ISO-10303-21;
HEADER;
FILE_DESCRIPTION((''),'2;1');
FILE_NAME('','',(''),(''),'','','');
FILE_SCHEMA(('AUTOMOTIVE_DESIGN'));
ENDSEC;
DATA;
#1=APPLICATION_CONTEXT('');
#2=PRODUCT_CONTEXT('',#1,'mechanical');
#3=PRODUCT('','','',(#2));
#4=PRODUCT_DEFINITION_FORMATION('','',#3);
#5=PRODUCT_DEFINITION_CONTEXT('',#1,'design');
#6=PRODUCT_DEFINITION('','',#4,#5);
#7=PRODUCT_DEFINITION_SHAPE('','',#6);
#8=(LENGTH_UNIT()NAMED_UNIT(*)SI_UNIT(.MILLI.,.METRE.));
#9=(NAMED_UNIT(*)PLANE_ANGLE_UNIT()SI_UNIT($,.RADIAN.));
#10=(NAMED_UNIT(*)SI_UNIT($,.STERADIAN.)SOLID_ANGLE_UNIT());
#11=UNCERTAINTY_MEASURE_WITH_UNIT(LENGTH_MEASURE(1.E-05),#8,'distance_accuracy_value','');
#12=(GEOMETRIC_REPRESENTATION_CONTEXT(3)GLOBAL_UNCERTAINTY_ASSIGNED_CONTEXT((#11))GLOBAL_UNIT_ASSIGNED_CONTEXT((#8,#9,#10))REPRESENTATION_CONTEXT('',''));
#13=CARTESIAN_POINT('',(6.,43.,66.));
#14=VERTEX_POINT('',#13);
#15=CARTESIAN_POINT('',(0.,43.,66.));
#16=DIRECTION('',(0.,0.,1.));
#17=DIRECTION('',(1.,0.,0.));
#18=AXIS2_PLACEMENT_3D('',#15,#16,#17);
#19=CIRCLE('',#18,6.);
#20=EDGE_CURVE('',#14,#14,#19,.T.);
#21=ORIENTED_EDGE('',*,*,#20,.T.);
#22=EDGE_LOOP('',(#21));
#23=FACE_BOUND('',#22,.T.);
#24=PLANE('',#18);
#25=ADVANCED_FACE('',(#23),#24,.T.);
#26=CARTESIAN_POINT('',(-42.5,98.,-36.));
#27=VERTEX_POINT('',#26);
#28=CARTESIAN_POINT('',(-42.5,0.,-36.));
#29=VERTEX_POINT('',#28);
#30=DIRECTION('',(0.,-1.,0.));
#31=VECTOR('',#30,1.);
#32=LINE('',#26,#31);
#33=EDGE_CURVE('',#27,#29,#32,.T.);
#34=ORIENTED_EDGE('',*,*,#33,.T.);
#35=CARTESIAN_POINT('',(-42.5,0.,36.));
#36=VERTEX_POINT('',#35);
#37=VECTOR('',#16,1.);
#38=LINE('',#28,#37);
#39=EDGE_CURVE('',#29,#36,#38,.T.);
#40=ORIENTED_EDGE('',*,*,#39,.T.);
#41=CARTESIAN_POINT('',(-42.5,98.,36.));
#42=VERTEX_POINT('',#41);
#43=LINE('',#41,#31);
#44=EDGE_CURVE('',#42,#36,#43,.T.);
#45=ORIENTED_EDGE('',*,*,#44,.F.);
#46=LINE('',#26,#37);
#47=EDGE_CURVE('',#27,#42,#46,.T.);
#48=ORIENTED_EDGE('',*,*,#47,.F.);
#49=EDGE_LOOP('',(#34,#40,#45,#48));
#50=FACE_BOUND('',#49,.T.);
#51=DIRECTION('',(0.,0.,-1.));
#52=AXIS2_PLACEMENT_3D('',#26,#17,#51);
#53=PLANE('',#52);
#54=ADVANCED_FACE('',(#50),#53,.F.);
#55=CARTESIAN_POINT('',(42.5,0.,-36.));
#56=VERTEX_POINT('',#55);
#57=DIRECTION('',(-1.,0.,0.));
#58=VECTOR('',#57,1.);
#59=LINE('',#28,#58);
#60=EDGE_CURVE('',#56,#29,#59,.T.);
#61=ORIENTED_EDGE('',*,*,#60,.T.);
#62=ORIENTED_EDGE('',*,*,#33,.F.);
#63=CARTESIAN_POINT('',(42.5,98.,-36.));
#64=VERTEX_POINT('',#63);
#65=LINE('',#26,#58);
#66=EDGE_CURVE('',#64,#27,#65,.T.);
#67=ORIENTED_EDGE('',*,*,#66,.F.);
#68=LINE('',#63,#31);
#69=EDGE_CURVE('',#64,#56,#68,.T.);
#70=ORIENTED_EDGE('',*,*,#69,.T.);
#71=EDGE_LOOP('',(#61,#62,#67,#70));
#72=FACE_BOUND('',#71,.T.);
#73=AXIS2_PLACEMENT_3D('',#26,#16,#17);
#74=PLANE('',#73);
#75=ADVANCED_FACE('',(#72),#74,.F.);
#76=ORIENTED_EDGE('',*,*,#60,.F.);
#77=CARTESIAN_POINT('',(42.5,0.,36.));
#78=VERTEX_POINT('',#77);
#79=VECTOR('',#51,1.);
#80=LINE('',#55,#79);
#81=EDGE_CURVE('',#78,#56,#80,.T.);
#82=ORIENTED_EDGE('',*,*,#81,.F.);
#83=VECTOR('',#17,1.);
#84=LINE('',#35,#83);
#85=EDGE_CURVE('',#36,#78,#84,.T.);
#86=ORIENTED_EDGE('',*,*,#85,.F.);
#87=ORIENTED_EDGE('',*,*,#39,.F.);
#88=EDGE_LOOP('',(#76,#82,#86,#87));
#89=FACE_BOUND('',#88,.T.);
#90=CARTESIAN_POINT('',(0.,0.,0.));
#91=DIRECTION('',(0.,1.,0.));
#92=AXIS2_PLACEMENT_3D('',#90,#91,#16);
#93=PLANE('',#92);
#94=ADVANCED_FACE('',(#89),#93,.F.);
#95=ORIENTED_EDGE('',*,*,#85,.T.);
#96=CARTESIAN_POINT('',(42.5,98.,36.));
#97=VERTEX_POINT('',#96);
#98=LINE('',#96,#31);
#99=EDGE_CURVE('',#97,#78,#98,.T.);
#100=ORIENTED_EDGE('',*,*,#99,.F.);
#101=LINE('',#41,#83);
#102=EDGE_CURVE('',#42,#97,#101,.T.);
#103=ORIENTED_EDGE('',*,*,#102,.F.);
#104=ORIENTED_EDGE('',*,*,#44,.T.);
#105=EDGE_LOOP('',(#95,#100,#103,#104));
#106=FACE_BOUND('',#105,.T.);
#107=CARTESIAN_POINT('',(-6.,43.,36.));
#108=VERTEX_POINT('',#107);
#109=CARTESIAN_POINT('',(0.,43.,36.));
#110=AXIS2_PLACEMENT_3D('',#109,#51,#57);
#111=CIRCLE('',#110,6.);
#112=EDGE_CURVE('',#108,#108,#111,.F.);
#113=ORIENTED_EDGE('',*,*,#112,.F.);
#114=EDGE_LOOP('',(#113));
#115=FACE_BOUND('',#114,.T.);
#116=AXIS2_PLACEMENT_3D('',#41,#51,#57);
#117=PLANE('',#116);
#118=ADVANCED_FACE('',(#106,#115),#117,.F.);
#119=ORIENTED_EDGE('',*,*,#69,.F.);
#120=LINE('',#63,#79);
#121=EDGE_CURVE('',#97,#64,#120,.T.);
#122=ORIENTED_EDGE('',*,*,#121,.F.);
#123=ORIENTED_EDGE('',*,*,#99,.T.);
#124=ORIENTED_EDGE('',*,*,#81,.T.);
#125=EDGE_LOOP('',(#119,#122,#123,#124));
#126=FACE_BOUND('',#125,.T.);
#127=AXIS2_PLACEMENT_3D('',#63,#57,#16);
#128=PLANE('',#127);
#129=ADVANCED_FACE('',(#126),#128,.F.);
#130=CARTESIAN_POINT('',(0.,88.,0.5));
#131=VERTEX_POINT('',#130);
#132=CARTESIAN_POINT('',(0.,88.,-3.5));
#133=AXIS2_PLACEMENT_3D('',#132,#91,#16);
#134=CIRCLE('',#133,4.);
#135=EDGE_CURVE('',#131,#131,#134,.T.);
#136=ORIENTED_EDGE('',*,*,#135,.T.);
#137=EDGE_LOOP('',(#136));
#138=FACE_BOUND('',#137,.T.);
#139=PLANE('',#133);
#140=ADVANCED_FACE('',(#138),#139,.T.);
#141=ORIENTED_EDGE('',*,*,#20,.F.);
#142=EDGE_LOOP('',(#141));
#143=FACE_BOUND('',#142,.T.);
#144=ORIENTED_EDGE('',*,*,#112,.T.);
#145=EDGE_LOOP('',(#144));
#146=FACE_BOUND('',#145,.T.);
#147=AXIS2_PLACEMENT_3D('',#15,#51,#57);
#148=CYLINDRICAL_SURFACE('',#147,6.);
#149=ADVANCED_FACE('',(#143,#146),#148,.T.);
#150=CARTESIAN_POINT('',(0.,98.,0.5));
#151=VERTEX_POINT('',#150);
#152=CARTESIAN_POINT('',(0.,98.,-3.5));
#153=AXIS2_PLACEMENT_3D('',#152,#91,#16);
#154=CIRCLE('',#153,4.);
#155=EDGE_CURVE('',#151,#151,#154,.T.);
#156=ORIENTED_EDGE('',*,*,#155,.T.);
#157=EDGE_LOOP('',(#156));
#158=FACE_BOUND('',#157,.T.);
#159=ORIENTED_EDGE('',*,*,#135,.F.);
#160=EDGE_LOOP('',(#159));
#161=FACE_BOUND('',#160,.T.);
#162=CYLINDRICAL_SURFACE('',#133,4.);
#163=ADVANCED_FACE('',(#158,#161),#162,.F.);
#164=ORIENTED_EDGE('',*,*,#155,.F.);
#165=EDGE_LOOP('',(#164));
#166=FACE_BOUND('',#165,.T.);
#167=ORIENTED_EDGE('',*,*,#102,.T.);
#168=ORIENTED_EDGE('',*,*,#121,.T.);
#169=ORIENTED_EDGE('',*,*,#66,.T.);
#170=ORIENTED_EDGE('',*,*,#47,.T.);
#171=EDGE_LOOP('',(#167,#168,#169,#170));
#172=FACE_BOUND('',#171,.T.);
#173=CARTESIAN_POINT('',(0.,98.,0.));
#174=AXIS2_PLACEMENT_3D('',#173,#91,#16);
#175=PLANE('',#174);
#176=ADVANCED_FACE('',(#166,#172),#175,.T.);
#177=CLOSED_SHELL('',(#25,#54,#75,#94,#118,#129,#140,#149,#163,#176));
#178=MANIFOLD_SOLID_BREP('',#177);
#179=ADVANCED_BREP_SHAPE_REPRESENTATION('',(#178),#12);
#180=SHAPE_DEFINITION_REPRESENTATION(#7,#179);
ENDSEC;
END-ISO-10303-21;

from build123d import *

# Parameters (mm, degrees)
SKETCH1_W           = 85
SKETCH1_H           = 72
BOSS_EXTRUDE1_DEPTH = 98
SKETCH2_R           = 4
CUT_EXTRUDE1_DEPTH  = 10
SKETCH3_R           = 6
BOSS_EXTRUDE2_DEPTH = 30


with BuildPart() as part:
    # Sketch1 → Boss-Extrude1 (new body)
    with BuildSketch(Plane(origin=(0, 0, 0), x_dir=(1, 0, 0), z_dir=(0, 1, 0))):
        Rectangle(SKETCH1_W, SKETCH1_H)
    extrude(amount=BOSS_EXTRUDE1_DEPTH)

    # Sketch2 → Cut-Extrude1 (cut)
    with BuildSketch(Plane(origin=(0, 98, 0), x_dir=(1, 0, 0), z_dir=(0, 1, 0))):
        with Locations(Location((0, 3.5, 0), (0, 0, 270))):
            Circle(SKETCH2_R)
    extrude(amount=-CUT_EXTRUDE1_DEPTH, mode=Mode.SUBTRACT)

    # Sketch3 → Boss-Extrude2 (add)
    with BuildSketch(Plane.XY.offset(36)):
        with Locations(Location((0, 43, 0), (0, 0, 180))):
            Circle(SKETCH3_R)
    extrude(amount=BOSS_EXTRUDE2_DEPTH)


solid = part.part
